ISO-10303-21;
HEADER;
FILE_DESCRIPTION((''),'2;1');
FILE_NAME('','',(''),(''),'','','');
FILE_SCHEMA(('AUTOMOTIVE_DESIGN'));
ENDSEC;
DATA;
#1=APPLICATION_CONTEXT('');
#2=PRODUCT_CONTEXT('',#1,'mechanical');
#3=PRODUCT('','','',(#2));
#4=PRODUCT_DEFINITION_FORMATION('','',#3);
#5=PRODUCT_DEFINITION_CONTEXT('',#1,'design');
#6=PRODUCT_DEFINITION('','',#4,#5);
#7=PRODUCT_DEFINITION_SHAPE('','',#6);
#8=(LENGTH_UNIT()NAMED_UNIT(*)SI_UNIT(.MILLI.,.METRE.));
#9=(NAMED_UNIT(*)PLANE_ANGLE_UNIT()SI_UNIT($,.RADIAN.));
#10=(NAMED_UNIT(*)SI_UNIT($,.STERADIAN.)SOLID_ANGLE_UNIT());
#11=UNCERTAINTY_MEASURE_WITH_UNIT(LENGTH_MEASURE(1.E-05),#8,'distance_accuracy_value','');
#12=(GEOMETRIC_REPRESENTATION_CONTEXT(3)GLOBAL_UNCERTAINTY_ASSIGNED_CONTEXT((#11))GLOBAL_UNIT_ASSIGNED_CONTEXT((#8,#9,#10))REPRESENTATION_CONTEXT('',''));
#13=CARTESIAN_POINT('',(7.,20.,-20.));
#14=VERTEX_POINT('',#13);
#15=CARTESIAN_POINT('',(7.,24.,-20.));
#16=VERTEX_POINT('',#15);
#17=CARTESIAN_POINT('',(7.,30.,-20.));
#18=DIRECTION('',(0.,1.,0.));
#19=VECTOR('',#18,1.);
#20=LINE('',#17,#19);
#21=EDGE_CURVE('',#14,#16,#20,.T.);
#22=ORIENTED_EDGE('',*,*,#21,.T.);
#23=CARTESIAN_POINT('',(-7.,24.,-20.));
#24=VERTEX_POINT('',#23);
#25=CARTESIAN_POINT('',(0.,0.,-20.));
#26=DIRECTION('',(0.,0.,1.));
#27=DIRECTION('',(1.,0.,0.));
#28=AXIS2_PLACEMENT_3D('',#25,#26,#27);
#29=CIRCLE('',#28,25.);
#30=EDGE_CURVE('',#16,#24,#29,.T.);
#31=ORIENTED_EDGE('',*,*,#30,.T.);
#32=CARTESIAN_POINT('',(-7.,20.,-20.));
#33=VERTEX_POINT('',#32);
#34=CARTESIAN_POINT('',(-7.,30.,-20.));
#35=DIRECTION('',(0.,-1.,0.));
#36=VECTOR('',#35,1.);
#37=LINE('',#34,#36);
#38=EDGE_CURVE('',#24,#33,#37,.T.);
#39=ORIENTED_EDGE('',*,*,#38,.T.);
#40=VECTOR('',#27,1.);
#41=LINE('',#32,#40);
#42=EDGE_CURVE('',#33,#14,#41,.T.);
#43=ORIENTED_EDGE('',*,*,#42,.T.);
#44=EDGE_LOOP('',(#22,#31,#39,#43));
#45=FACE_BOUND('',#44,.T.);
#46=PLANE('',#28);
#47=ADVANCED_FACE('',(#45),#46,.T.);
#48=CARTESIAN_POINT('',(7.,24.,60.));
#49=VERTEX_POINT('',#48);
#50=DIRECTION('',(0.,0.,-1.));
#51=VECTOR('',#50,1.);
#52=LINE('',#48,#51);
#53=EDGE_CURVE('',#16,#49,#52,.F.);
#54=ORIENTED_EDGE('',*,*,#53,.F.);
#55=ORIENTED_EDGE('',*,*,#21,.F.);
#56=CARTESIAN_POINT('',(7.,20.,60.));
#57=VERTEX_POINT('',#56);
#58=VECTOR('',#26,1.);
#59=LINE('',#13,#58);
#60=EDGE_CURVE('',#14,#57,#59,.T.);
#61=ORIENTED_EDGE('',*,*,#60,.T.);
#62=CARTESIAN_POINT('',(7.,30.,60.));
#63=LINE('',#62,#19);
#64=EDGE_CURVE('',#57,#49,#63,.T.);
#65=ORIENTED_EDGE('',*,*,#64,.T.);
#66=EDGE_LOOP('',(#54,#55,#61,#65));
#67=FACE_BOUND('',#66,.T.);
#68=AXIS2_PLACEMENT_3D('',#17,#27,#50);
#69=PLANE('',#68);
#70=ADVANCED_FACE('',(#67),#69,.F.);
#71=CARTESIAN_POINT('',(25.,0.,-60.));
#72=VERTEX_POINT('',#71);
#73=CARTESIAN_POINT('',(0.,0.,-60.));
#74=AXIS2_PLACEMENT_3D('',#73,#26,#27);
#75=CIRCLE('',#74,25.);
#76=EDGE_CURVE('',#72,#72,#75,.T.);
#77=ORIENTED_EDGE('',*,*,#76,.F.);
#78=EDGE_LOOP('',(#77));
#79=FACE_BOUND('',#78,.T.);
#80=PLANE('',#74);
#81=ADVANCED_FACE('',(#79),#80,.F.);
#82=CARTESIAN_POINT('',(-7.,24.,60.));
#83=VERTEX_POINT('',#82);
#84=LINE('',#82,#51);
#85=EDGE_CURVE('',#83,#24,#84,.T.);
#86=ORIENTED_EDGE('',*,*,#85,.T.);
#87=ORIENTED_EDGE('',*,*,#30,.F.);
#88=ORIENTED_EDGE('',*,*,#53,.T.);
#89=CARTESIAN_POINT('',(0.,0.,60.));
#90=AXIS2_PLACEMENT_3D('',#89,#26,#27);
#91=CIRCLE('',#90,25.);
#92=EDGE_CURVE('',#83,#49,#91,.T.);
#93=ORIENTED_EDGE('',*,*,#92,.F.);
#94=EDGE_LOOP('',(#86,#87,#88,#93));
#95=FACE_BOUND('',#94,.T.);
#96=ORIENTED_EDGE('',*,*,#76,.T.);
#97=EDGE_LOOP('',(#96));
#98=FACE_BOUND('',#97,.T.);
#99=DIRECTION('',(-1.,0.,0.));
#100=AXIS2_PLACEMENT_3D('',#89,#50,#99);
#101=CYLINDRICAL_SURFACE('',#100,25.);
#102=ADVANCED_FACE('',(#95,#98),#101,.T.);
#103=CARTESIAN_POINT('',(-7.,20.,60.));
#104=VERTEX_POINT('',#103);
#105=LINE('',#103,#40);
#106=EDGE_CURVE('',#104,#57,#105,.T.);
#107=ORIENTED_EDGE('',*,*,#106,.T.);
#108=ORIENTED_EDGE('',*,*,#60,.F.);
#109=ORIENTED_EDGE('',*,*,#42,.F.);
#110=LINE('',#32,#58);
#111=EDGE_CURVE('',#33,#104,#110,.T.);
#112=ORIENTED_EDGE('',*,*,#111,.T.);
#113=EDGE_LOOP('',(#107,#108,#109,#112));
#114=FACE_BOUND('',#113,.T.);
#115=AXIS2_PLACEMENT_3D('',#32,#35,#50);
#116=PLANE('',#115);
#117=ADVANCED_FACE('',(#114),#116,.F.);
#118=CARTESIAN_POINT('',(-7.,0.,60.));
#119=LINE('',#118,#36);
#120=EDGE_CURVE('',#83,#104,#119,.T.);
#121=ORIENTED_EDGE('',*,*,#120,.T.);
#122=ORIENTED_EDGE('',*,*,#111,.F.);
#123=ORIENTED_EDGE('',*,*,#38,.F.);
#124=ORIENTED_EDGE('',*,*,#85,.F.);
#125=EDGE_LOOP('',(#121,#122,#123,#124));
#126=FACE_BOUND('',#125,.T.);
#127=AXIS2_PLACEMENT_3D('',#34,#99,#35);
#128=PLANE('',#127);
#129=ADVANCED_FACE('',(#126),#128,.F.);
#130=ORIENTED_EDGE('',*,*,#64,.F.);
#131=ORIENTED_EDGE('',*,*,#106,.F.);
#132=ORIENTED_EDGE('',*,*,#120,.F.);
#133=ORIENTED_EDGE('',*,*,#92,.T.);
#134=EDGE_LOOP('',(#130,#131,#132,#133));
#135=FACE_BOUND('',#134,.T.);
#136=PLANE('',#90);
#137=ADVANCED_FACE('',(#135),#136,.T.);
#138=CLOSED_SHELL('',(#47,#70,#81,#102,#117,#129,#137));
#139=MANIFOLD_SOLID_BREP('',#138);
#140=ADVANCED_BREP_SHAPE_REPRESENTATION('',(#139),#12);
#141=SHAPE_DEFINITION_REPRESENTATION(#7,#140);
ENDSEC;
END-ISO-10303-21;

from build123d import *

# Parameters (mm, degrees)
SKETCH1_R           = 25
BOSS_EXTRUDE1_DEPTH = 60
SKETCH2_W           = 14
SKETCH2_H           = 10
CUT_EXTRUDE1_DEPTH  = 80


with BuildPart() as part:
    # Sketch1 → Boss-Extrude1 (new, symmetric)
    with BuildSketch(Plane.XY):
        Circle(SKETCH1_R)
    extrude(amount=BOSS_EXTRUDE1_DEPTH, both=True)

    # Sketch2 → Cut-Extrude1 (cut)
    with BuildSketch(Plane.XY.offset(60)):
        with Locations((0, 25)):
            Rectangle(SKETCH2_W, SKETCH2_H)
    extrude(amount=-CUT_EXTRUDE1_DEPTH, mode=Mode.SUBTRACT)


solid = part.part
